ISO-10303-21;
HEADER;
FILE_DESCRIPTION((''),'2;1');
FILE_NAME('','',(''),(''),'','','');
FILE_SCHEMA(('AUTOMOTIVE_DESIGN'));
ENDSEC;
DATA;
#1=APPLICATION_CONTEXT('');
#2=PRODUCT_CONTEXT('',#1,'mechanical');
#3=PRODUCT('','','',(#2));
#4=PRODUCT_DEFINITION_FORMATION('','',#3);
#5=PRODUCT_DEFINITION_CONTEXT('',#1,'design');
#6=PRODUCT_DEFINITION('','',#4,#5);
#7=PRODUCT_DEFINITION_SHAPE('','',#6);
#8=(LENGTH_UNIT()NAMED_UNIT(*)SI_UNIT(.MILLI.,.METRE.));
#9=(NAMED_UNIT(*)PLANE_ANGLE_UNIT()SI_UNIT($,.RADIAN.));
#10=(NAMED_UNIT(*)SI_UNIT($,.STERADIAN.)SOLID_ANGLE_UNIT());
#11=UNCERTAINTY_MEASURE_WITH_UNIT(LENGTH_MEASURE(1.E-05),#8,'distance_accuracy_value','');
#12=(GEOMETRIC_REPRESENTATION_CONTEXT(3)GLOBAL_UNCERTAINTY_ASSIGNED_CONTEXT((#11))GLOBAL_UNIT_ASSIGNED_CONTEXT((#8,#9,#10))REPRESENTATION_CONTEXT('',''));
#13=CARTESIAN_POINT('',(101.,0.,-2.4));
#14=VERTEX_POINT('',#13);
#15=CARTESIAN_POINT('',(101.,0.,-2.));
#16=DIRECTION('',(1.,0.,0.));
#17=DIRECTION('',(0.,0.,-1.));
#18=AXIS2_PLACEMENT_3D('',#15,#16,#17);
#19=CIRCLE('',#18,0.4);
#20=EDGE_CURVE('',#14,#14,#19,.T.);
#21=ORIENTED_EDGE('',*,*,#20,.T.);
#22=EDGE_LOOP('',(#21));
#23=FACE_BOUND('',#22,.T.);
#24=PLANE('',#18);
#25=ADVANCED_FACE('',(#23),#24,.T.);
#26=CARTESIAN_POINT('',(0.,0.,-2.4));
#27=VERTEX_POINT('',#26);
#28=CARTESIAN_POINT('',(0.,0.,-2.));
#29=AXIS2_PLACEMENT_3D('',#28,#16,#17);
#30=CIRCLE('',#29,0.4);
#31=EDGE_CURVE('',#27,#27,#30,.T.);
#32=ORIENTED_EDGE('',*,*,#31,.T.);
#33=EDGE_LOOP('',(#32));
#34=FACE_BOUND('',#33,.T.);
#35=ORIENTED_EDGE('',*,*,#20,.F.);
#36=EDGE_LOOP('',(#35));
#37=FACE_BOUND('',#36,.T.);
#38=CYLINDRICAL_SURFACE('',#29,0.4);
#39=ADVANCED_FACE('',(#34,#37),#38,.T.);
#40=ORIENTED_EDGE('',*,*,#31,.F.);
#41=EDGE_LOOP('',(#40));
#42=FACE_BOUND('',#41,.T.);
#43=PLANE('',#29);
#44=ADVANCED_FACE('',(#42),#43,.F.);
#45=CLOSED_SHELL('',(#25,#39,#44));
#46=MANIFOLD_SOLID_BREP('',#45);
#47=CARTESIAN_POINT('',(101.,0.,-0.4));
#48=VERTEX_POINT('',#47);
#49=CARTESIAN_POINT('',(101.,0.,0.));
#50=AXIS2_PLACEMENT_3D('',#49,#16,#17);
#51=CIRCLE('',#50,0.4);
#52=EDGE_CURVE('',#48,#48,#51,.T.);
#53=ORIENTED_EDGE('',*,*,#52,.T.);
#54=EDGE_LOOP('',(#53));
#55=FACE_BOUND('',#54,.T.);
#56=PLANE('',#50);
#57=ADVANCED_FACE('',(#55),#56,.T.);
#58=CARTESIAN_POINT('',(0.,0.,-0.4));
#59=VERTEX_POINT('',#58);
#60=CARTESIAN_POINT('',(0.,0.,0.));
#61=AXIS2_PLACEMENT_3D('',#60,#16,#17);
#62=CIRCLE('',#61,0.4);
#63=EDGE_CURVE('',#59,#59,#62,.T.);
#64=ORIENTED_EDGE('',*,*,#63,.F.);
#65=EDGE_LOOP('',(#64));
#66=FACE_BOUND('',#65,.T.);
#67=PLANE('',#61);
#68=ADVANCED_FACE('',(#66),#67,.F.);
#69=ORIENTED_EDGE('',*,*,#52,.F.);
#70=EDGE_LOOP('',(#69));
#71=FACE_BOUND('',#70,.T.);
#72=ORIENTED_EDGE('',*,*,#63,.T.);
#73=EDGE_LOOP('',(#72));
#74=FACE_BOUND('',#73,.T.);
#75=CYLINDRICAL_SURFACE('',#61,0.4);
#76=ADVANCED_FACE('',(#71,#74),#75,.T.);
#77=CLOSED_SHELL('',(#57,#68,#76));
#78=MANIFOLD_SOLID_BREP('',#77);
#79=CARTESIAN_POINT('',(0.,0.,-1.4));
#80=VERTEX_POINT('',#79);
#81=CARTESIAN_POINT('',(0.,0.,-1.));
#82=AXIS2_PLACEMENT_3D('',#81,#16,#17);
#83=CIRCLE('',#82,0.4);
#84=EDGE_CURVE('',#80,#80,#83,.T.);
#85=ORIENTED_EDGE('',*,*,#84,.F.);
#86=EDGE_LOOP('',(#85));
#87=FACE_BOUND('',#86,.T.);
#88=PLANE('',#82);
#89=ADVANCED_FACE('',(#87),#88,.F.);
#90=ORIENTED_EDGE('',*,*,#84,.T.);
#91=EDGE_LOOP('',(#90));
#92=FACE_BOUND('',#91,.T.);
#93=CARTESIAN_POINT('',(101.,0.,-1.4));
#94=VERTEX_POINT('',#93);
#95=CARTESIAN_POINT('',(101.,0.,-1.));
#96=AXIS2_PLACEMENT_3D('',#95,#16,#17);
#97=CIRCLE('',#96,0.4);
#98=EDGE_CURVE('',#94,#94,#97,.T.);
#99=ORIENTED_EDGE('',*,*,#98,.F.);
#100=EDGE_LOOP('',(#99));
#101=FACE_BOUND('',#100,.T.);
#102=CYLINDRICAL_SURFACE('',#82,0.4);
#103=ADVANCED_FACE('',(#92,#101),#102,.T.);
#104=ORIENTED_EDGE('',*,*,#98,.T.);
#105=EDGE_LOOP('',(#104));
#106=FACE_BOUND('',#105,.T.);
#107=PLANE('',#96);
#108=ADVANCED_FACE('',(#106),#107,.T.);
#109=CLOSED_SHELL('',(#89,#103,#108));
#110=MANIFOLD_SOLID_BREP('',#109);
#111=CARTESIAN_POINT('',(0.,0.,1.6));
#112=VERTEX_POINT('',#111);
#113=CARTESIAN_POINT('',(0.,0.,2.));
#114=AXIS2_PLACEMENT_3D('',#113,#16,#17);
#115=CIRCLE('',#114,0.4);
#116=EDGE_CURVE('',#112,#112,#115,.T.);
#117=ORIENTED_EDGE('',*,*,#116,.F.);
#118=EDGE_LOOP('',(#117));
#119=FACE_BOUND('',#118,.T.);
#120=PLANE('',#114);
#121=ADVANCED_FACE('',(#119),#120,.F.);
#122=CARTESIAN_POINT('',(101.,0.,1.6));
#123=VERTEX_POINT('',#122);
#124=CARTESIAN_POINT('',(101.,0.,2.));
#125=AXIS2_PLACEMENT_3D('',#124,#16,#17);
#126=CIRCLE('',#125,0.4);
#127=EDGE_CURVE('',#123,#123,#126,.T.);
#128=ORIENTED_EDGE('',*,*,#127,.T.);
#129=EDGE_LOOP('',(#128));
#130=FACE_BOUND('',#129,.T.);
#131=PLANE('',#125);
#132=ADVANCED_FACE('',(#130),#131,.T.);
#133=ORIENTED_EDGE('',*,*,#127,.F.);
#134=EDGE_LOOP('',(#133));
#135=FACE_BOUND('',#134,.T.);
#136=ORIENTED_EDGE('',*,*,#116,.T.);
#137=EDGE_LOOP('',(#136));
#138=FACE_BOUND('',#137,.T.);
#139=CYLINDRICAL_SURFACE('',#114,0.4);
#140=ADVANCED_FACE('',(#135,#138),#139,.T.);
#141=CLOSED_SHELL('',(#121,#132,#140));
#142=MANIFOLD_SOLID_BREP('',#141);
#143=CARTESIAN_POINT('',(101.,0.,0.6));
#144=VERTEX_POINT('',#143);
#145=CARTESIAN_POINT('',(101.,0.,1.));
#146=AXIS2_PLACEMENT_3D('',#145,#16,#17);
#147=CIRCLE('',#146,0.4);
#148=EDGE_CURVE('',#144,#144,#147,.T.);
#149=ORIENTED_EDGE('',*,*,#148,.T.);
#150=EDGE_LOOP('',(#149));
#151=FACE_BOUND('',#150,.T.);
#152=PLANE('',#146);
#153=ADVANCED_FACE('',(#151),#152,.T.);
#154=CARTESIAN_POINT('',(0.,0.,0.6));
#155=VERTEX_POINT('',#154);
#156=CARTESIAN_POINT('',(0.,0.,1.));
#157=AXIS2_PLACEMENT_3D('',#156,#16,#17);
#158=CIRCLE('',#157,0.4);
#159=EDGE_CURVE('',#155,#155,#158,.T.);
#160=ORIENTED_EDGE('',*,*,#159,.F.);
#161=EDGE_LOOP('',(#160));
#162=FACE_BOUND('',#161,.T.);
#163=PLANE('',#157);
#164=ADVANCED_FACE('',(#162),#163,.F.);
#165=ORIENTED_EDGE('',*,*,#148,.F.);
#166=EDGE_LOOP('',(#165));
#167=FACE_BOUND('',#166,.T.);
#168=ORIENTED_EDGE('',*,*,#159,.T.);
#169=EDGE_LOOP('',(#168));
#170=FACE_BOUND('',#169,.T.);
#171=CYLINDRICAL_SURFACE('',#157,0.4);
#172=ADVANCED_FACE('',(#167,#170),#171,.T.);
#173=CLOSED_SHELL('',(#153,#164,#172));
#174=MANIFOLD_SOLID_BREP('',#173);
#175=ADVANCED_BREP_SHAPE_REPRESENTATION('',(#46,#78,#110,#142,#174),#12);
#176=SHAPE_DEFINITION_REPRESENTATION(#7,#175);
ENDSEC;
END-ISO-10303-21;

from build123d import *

# Parameters (mm, degrees)
SKETCH21_R = 0.4


with BuildPart() as part:
    # Sweep2: sweep along a path in Sketch3
    with BuildLine(Plane(origin=(0, 0, 0), x_dir=(1, 0, 0), z_dir=(0, 1, 0))) as sweep2_path:
        Line((0, -2), (101, -2))
    # Sketch21 → Sweep2 (sweep)
    with BuildSketch(Plane(origin=(0, 0, 0), x_dir=(0, 0, -1), z_dir=(1, 0, 0))):
        with Locations((2, 0)):
            Circle(SKETCH21_R)
        with Locations((1, 0)):
            Circle(SKETCH21_R)
        Circle(SKETCH21_R)
        with Locations((-1, 0)):
            Circle(SKETCH21_R)
        with Locations((-2, 0)):
            Circle(SKETCH21_R)
    sweep(path=sweep2_path.line)


solid = part.part
